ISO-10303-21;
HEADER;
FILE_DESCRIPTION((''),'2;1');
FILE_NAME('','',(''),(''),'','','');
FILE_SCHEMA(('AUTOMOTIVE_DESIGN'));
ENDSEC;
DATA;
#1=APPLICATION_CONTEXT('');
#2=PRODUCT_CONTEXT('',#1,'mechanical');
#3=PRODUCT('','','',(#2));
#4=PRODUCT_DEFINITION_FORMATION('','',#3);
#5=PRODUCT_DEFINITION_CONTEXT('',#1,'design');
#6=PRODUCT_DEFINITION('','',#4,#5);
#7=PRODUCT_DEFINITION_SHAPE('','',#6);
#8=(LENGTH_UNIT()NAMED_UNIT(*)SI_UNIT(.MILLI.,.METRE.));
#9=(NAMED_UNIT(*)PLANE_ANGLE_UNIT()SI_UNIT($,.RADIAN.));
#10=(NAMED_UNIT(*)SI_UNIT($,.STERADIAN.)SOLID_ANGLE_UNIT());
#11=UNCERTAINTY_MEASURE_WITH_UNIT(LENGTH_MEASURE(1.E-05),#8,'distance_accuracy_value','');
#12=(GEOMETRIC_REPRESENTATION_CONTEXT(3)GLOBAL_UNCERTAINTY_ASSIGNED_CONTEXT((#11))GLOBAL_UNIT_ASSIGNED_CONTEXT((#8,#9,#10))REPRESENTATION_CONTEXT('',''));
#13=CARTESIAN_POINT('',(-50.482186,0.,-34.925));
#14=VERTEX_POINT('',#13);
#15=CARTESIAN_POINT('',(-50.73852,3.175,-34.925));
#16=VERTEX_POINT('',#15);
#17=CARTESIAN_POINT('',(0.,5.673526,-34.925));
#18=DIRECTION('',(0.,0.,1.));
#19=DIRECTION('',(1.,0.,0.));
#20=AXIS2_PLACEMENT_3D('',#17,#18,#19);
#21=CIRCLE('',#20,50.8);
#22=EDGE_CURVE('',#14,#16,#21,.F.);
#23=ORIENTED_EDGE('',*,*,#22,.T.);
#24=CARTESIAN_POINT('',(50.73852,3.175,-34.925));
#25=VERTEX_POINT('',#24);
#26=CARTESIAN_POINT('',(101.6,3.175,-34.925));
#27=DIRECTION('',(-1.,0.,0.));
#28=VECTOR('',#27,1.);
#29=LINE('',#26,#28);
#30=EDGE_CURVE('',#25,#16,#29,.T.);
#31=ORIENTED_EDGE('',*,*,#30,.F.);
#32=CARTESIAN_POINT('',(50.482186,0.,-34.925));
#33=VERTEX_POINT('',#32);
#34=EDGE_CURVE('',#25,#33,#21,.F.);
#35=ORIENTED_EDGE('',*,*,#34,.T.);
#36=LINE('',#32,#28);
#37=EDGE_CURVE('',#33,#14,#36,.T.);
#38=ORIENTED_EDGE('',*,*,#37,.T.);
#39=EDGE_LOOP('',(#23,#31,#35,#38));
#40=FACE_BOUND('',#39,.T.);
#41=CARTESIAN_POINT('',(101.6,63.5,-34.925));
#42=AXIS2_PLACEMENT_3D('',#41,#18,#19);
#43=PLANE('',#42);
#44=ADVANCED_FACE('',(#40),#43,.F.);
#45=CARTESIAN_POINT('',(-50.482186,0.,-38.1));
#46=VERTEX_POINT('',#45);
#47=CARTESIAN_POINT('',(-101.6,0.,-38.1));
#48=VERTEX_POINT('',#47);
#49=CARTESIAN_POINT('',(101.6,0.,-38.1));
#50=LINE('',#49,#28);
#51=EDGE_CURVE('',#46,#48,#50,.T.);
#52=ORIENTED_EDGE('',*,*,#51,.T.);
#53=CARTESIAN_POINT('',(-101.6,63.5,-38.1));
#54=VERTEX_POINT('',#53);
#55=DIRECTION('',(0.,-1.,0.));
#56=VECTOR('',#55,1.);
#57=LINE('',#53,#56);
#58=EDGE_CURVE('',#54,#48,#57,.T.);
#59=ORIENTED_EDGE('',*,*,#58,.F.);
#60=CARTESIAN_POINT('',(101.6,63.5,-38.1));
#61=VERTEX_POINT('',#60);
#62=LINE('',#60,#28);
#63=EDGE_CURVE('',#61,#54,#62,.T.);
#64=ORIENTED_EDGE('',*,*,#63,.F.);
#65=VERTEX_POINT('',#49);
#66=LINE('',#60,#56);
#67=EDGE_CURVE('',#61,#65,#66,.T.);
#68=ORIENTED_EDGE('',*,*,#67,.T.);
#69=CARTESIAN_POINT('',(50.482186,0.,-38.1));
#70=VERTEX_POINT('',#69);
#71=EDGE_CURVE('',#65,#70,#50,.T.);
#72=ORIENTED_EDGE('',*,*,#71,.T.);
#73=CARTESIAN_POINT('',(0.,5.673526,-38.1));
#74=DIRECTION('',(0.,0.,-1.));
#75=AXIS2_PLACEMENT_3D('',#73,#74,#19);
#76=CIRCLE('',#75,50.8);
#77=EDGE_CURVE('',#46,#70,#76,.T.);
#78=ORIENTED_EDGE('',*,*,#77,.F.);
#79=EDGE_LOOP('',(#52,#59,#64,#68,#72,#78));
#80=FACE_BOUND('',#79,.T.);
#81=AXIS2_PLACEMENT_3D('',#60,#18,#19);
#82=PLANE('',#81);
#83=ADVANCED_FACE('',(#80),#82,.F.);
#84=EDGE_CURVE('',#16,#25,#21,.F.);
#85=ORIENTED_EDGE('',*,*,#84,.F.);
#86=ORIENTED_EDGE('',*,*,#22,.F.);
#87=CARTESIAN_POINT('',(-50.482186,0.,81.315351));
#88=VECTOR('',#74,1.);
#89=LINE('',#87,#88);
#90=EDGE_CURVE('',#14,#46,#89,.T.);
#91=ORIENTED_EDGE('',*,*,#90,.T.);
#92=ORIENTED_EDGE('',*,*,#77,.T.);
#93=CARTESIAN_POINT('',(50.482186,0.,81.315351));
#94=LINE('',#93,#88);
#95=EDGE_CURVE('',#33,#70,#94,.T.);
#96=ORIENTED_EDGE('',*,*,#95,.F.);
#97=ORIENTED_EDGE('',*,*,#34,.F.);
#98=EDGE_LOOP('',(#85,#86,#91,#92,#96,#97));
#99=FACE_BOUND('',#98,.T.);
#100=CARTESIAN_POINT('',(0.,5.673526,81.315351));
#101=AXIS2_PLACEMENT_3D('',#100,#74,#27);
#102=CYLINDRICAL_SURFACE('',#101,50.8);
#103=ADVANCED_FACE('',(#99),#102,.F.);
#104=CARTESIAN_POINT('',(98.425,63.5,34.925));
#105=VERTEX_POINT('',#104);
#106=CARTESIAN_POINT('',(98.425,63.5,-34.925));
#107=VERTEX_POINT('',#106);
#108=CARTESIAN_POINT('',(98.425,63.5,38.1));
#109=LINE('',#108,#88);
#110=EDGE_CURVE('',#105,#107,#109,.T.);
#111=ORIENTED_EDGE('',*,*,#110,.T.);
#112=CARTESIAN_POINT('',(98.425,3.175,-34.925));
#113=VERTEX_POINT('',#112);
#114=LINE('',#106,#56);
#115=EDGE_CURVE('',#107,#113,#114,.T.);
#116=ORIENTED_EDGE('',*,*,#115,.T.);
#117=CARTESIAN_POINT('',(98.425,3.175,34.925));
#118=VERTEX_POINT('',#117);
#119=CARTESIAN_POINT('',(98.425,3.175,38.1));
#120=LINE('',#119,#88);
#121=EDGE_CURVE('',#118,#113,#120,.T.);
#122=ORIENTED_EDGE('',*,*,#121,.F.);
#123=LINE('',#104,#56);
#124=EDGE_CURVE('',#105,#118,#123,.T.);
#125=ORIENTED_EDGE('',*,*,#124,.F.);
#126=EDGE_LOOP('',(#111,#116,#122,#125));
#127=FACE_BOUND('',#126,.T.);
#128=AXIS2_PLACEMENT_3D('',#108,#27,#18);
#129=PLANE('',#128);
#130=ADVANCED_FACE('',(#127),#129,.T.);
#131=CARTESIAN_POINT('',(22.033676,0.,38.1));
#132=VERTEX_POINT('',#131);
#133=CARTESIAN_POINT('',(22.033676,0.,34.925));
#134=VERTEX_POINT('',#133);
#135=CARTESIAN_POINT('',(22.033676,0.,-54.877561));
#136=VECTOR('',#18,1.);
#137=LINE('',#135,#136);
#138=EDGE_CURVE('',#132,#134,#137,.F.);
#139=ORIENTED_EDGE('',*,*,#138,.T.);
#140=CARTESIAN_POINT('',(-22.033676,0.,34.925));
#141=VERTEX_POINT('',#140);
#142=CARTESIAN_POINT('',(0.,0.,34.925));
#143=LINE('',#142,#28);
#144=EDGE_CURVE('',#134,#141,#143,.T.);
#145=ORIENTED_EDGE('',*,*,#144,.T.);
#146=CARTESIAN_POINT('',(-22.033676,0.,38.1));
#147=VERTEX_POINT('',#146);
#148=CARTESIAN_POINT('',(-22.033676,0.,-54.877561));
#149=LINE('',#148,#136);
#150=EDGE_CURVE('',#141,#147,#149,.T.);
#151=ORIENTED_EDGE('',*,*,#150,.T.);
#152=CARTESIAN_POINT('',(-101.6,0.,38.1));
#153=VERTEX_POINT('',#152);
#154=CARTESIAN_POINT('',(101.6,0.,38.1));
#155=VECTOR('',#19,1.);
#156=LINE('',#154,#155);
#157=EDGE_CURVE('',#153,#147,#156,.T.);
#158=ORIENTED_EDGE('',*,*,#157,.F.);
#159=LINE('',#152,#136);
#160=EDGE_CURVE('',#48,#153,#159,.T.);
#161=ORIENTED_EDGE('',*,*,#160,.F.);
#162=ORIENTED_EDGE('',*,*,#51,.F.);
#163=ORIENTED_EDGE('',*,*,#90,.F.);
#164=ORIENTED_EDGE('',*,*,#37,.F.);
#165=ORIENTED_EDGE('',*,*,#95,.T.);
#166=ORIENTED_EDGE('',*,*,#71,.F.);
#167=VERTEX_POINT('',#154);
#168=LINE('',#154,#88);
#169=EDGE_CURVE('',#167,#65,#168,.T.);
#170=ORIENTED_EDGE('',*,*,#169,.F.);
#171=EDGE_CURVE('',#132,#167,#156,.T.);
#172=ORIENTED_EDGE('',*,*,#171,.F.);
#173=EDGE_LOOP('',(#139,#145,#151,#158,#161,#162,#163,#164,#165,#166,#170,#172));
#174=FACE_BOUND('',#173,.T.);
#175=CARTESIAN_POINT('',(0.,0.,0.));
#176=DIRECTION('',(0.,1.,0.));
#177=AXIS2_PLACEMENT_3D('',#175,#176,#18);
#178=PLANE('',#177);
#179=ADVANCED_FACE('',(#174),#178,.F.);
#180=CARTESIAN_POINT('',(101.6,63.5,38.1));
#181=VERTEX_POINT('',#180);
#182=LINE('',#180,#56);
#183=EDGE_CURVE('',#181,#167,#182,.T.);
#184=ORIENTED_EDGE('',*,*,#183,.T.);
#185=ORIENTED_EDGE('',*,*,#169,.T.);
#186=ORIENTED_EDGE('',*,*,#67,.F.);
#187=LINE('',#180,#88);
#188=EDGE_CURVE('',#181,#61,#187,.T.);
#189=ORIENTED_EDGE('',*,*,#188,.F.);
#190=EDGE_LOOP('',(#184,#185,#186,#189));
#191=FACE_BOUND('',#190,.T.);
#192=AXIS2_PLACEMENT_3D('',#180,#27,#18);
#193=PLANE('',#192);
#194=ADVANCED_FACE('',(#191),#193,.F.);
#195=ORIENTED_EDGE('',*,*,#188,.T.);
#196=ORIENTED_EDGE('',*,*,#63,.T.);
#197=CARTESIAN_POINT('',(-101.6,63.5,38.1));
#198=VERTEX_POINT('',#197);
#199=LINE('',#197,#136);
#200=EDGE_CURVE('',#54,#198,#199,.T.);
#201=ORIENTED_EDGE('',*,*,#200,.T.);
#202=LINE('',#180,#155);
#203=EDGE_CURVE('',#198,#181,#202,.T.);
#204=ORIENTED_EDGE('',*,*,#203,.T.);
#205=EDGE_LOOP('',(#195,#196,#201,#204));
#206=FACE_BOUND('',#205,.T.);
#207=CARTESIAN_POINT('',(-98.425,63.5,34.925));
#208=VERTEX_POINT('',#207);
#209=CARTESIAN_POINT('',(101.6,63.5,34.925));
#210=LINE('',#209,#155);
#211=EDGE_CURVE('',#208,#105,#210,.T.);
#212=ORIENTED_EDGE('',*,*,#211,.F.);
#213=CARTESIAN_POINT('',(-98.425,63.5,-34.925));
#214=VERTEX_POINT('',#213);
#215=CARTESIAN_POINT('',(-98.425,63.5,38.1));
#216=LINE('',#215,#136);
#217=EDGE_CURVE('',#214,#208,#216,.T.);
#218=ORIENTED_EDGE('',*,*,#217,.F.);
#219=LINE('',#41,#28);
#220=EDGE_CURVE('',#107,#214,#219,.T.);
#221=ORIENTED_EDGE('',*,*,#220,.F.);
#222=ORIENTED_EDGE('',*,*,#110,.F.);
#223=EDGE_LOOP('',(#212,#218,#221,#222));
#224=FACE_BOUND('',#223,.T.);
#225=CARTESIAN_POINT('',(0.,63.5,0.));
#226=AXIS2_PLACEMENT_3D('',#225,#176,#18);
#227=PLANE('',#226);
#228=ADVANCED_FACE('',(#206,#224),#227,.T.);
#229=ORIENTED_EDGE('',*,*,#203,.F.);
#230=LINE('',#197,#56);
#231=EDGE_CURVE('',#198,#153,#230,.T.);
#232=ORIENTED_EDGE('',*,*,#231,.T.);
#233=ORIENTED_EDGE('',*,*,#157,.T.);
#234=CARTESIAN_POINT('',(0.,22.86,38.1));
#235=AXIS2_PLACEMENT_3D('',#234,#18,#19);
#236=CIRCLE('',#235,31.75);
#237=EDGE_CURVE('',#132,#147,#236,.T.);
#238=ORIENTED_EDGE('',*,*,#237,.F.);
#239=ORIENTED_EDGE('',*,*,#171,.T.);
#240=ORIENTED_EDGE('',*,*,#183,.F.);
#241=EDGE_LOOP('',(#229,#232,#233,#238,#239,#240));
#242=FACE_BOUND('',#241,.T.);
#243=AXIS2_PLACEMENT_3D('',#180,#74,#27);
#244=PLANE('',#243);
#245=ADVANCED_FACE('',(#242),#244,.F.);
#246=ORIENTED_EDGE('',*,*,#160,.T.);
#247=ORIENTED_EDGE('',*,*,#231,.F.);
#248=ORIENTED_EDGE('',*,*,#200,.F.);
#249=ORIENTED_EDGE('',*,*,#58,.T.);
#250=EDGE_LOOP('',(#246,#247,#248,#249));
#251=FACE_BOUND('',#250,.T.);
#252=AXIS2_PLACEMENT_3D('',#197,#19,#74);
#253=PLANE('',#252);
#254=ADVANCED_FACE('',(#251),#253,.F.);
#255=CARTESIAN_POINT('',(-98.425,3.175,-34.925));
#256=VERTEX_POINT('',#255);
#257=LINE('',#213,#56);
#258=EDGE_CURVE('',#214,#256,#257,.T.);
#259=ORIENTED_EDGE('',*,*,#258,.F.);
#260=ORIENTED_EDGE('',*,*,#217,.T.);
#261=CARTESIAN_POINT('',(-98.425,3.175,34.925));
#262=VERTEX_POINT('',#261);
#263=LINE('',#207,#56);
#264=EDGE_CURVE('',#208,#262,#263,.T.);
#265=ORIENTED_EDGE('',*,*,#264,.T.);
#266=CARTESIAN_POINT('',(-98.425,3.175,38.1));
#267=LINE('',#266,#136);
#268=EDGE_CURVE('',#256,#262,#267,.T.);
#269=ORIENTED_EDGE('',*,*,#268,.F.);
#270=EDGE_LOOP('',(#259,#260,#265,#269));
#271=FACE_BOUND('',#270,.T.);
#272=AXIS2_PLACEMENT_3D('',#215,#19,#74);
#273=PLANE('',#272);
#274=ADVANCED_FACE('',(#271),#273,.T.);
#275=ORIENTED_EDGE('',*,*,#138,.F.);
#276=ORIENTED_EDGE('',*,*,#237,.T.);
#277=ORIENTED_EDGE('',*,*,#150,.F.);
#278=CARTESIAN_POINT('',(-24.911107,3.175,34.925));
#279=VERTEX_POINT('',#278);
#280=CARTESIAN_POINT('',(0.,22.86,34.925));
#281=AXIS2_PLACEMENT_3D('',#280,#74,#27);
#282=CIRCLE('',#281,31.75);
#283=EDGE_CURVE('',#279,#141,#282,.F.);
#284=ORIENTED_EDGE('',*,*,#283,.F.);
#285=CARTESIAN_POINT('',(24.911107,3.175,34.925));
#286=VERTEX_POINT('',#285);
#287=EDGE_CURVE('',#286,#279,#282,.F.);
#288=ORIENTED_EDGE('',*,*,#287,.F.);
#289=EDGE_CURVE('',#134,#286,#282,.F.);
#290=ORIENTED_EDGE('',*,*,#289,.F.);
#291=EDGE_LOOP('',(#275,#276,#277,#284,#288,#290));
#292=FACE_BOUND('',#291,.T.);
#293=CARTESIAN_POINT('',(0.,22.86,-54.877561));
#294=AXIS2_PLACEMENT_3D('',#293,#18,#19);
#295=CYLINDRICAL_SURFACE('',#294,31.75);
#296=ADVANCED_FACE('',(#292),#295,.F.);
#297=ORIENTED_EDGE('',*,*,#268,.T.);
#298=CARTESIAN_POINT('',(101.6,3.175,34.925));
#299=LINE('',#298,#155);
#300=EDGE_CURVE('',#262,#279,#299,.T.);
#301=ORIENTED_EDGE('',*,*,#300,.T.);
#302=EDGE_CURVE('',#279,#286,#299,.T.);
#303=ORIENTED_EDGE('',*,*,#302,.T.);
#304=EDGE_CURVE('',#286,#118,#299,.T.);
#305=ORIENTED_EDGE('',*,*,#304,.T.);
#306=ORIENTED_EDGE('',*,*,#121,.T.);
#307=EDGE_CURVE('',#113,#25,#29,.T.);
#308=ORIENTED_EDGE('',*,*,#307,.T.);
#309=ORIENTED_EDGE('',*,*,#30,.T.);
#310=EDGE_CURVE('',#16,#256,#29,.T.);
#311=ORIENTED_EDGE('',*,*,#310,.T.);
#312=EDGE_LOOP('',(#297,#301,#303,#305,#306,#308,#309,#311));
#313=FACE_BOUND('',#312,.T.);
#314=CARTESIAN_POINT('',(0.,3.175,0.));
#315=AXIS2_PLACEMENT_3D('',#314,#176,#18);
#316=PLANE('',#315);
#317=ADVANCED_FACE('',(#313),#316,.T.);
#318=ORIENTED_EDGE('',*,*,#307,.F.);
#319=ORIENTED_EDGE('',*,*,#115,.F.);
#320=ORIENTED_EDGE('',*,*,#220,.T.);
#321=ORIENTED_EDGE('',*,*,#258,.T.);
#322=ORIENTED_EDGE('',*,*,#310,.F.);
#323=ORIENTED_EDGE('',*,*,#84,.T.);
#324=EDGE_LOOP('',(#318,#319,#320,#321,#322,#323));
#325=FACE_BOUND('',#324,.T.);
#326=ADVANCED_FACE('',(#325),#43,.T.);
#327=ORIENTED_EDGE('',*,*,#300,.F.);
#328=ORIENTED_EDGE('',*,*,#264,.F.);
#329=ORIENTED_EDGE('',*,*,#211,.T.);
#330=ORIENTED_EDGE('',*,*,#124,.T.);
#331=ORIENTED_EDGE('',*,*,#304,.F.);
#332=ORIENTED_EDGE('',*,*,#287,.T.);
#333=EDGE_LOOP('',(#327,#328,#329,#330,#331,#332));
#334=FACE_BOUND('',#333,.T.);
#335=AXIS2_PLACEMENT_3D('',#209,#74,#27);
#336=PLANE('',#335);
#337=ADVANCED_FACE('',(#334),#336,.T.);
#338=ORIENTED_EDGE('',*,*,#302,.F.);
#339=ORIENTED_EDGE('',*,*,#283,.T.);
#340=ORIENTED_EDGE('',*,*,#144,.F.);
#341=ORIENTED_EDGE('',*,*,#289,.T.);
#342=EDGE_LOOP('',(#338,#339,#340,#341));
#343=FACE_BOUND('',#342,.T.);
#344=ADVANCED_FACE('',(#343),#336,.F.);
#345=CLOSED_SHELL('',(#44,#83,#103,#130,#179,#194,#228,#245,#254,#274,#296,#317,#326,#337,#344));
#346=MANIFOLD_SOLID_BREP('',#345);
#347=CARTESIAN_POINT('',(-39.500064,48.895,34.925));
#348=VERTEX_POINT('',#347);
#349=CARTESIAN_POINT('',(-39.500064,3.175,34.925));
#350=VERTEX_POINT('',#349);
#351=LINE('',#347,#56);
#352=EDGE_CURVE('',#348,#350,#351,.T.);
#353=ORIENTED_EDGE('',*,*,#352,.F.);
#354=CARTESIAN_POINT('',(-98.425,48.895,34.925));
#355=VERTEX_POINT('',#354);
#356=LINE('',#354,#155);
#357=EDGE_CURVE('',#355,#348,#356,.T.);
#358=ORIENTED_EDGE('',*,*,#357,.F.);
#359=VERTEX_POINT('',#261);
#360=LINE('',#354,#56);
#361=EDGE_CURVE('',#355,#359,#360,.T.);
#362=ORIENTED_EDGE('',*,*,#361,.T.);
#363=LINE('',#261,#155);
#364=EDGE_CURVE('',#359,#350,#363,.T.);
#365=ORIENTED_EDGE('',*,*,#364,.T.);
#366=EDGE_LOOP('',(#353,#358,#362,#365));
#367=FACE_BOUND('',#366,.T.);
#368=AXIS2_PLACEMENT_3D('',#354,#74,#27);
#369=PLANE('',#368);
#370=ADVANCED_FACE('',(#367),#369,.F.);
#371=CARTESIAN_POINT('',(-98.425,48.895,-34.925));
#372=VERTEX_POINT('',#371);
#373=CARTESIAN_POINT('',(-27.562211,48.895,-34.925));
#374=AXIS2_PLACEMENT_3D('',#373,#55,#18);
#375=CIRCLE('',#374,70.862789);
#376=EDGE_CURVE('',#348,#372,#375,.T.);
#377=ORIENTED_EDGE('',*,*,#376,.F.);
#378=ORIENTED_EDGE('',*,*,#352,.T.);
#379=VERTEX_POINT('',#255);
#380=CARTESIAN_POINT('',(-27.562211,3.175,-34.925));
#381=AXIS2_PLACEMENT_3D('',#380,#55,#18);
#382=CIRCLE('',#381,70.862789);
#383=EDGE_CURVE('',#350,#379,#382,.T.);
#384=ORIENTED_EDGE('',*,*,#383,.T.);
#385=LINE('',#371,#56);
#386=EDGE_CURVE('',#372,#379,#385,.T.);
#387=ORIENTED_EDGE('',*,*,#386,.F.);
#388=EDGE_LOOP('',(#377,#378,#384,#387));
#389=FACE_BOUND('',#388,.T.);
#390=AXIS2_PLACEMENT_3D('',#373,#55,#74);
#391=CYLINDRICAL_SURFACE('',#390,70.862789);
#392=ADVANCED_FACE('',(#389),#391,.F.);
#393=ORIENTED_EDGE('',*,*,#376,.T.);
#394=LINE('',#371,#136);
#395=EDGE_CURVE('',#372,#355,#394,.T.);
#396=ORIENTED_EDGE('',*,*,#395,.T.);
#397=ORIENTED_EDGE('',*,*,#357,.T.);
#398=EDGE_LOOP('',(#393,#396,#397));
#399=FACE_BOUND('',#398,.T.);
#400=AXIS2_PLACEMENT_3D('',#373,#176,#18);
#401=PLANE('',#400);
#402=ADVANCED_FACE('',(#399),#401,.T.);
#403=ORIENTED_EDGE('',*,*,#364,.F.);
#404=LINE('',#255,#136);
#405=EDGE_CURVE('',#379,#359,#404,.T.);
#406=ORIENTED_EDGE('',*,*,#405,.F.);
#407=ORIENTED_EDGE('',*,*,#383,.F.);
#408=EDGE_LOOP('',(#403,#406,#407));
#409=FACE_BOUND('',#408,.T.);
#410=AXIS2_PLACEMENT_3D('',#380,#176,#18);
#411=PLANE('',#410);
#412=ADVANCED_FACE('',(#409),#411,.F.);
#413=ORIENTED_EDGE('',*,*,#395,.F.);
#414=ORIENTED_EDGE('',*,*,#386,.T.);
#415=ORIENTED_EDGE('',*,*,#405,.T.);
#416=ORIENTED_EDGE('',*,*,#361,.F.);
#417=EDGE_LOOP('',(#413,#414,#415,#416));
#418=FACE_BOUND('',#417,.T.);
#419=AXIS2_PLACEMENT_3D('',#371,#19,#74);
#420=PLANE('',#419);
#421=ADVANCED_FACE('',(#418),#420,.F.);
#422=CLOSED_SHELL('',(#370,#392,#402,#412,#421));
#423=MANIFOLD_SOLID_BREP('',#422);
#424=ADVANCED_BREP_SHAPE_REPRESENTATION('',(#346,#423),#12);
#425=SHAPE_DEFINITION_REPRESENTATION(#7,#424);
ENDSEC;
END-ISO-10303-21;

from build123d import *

# Parameters (mm, degrees)
SKETCH1_W                         = 203.2
SKETCH1_H                         = 76.2
BOSS_EXTRUDE1_DEPTH               = 63.5
SHELL1_T                          = -3.175
CUT_EXTRUDE1_BACK_MOUSEHOLE_DEPTH = 3.175
SKETCH3_R                         = 31.75
CUT_EXTRUDE2_DEPTH                = 3.175
BOSS_EXTRUDE2_DEPTH               = 45.72


with BuildPart() as part:
    # Sketch1 → Boss-Extrude1 (new body)
    with BuildSketch(Plane(origin=(0, 0, 0), x_dir=(1, 0, 0), z_dir=(0, 1, 0))):
        Rectangle(SKETCH1_W, SKETCH1_H)
    extrude(amount=BOSS_EXTRUDE1_DEPTH)

    # Shell1
    shell1_openings = [part.faces().sort_by_distance(p)[0] for p in [
        (0, 63.5, 0),
    ]]
    offset(amount=SHELL1_T, openings=shell1_openings, kind=Kind.INTERSECTION)

    # Sketch2 → Cut-Extrude1 BACK MOUSEHOLE (cut)
    with BuildSketch(Plane(origin=(0, 0, -38.1), x_dir=(-1, 0, 0), z_dir=(0, 0, -1))):
        with BuildLine():
            Line((-50.482186023, 0), (50.482186023, 0))
            ThreePointArc((50.482186023, 0), (0, 56.473525739), (-50.482186023, 0))
        make_face()
    extrude(amount=-CUT_EXTRUDE1_BACK_MOUSEHOLE_DEPTH, mode=Mode.SUBTRACT)

    # Sketch3 → Cut-Extrude2 (cut)
    with BuildSketch(Plane.XY.offset(38.1)):
        with Locations((0, 22.86)):
            Circle(SKETCH3_R)
    extrude(amount=-CUT_EXTRUDE2_DEPTH, mode=Mode.SUBTRACT)


with BuildPart() as body_2:
    # Sketch4 → Boss-Extrude2 (new body)
    with BuildSketch(Plane(origin=(0, 3.175, 0), x_dir=(1, 0, 0), z_dir=(0, 1, 0))):
        with BuildLine():
            Line((-98.425, 34.925), (-98.425, -34.925))
            Line((-98.425, -34.925), (-39.500064478, -34.925))
            ThreePointArc((-39.500064478, -34.925), (-81.726241757, -10.767369511), (-98.425, 34.925))
        make_face()
    extrude(amount=BOSS_EXTRUDE2_DEPTH)


solid = Compound([part.part, body_2.part])
